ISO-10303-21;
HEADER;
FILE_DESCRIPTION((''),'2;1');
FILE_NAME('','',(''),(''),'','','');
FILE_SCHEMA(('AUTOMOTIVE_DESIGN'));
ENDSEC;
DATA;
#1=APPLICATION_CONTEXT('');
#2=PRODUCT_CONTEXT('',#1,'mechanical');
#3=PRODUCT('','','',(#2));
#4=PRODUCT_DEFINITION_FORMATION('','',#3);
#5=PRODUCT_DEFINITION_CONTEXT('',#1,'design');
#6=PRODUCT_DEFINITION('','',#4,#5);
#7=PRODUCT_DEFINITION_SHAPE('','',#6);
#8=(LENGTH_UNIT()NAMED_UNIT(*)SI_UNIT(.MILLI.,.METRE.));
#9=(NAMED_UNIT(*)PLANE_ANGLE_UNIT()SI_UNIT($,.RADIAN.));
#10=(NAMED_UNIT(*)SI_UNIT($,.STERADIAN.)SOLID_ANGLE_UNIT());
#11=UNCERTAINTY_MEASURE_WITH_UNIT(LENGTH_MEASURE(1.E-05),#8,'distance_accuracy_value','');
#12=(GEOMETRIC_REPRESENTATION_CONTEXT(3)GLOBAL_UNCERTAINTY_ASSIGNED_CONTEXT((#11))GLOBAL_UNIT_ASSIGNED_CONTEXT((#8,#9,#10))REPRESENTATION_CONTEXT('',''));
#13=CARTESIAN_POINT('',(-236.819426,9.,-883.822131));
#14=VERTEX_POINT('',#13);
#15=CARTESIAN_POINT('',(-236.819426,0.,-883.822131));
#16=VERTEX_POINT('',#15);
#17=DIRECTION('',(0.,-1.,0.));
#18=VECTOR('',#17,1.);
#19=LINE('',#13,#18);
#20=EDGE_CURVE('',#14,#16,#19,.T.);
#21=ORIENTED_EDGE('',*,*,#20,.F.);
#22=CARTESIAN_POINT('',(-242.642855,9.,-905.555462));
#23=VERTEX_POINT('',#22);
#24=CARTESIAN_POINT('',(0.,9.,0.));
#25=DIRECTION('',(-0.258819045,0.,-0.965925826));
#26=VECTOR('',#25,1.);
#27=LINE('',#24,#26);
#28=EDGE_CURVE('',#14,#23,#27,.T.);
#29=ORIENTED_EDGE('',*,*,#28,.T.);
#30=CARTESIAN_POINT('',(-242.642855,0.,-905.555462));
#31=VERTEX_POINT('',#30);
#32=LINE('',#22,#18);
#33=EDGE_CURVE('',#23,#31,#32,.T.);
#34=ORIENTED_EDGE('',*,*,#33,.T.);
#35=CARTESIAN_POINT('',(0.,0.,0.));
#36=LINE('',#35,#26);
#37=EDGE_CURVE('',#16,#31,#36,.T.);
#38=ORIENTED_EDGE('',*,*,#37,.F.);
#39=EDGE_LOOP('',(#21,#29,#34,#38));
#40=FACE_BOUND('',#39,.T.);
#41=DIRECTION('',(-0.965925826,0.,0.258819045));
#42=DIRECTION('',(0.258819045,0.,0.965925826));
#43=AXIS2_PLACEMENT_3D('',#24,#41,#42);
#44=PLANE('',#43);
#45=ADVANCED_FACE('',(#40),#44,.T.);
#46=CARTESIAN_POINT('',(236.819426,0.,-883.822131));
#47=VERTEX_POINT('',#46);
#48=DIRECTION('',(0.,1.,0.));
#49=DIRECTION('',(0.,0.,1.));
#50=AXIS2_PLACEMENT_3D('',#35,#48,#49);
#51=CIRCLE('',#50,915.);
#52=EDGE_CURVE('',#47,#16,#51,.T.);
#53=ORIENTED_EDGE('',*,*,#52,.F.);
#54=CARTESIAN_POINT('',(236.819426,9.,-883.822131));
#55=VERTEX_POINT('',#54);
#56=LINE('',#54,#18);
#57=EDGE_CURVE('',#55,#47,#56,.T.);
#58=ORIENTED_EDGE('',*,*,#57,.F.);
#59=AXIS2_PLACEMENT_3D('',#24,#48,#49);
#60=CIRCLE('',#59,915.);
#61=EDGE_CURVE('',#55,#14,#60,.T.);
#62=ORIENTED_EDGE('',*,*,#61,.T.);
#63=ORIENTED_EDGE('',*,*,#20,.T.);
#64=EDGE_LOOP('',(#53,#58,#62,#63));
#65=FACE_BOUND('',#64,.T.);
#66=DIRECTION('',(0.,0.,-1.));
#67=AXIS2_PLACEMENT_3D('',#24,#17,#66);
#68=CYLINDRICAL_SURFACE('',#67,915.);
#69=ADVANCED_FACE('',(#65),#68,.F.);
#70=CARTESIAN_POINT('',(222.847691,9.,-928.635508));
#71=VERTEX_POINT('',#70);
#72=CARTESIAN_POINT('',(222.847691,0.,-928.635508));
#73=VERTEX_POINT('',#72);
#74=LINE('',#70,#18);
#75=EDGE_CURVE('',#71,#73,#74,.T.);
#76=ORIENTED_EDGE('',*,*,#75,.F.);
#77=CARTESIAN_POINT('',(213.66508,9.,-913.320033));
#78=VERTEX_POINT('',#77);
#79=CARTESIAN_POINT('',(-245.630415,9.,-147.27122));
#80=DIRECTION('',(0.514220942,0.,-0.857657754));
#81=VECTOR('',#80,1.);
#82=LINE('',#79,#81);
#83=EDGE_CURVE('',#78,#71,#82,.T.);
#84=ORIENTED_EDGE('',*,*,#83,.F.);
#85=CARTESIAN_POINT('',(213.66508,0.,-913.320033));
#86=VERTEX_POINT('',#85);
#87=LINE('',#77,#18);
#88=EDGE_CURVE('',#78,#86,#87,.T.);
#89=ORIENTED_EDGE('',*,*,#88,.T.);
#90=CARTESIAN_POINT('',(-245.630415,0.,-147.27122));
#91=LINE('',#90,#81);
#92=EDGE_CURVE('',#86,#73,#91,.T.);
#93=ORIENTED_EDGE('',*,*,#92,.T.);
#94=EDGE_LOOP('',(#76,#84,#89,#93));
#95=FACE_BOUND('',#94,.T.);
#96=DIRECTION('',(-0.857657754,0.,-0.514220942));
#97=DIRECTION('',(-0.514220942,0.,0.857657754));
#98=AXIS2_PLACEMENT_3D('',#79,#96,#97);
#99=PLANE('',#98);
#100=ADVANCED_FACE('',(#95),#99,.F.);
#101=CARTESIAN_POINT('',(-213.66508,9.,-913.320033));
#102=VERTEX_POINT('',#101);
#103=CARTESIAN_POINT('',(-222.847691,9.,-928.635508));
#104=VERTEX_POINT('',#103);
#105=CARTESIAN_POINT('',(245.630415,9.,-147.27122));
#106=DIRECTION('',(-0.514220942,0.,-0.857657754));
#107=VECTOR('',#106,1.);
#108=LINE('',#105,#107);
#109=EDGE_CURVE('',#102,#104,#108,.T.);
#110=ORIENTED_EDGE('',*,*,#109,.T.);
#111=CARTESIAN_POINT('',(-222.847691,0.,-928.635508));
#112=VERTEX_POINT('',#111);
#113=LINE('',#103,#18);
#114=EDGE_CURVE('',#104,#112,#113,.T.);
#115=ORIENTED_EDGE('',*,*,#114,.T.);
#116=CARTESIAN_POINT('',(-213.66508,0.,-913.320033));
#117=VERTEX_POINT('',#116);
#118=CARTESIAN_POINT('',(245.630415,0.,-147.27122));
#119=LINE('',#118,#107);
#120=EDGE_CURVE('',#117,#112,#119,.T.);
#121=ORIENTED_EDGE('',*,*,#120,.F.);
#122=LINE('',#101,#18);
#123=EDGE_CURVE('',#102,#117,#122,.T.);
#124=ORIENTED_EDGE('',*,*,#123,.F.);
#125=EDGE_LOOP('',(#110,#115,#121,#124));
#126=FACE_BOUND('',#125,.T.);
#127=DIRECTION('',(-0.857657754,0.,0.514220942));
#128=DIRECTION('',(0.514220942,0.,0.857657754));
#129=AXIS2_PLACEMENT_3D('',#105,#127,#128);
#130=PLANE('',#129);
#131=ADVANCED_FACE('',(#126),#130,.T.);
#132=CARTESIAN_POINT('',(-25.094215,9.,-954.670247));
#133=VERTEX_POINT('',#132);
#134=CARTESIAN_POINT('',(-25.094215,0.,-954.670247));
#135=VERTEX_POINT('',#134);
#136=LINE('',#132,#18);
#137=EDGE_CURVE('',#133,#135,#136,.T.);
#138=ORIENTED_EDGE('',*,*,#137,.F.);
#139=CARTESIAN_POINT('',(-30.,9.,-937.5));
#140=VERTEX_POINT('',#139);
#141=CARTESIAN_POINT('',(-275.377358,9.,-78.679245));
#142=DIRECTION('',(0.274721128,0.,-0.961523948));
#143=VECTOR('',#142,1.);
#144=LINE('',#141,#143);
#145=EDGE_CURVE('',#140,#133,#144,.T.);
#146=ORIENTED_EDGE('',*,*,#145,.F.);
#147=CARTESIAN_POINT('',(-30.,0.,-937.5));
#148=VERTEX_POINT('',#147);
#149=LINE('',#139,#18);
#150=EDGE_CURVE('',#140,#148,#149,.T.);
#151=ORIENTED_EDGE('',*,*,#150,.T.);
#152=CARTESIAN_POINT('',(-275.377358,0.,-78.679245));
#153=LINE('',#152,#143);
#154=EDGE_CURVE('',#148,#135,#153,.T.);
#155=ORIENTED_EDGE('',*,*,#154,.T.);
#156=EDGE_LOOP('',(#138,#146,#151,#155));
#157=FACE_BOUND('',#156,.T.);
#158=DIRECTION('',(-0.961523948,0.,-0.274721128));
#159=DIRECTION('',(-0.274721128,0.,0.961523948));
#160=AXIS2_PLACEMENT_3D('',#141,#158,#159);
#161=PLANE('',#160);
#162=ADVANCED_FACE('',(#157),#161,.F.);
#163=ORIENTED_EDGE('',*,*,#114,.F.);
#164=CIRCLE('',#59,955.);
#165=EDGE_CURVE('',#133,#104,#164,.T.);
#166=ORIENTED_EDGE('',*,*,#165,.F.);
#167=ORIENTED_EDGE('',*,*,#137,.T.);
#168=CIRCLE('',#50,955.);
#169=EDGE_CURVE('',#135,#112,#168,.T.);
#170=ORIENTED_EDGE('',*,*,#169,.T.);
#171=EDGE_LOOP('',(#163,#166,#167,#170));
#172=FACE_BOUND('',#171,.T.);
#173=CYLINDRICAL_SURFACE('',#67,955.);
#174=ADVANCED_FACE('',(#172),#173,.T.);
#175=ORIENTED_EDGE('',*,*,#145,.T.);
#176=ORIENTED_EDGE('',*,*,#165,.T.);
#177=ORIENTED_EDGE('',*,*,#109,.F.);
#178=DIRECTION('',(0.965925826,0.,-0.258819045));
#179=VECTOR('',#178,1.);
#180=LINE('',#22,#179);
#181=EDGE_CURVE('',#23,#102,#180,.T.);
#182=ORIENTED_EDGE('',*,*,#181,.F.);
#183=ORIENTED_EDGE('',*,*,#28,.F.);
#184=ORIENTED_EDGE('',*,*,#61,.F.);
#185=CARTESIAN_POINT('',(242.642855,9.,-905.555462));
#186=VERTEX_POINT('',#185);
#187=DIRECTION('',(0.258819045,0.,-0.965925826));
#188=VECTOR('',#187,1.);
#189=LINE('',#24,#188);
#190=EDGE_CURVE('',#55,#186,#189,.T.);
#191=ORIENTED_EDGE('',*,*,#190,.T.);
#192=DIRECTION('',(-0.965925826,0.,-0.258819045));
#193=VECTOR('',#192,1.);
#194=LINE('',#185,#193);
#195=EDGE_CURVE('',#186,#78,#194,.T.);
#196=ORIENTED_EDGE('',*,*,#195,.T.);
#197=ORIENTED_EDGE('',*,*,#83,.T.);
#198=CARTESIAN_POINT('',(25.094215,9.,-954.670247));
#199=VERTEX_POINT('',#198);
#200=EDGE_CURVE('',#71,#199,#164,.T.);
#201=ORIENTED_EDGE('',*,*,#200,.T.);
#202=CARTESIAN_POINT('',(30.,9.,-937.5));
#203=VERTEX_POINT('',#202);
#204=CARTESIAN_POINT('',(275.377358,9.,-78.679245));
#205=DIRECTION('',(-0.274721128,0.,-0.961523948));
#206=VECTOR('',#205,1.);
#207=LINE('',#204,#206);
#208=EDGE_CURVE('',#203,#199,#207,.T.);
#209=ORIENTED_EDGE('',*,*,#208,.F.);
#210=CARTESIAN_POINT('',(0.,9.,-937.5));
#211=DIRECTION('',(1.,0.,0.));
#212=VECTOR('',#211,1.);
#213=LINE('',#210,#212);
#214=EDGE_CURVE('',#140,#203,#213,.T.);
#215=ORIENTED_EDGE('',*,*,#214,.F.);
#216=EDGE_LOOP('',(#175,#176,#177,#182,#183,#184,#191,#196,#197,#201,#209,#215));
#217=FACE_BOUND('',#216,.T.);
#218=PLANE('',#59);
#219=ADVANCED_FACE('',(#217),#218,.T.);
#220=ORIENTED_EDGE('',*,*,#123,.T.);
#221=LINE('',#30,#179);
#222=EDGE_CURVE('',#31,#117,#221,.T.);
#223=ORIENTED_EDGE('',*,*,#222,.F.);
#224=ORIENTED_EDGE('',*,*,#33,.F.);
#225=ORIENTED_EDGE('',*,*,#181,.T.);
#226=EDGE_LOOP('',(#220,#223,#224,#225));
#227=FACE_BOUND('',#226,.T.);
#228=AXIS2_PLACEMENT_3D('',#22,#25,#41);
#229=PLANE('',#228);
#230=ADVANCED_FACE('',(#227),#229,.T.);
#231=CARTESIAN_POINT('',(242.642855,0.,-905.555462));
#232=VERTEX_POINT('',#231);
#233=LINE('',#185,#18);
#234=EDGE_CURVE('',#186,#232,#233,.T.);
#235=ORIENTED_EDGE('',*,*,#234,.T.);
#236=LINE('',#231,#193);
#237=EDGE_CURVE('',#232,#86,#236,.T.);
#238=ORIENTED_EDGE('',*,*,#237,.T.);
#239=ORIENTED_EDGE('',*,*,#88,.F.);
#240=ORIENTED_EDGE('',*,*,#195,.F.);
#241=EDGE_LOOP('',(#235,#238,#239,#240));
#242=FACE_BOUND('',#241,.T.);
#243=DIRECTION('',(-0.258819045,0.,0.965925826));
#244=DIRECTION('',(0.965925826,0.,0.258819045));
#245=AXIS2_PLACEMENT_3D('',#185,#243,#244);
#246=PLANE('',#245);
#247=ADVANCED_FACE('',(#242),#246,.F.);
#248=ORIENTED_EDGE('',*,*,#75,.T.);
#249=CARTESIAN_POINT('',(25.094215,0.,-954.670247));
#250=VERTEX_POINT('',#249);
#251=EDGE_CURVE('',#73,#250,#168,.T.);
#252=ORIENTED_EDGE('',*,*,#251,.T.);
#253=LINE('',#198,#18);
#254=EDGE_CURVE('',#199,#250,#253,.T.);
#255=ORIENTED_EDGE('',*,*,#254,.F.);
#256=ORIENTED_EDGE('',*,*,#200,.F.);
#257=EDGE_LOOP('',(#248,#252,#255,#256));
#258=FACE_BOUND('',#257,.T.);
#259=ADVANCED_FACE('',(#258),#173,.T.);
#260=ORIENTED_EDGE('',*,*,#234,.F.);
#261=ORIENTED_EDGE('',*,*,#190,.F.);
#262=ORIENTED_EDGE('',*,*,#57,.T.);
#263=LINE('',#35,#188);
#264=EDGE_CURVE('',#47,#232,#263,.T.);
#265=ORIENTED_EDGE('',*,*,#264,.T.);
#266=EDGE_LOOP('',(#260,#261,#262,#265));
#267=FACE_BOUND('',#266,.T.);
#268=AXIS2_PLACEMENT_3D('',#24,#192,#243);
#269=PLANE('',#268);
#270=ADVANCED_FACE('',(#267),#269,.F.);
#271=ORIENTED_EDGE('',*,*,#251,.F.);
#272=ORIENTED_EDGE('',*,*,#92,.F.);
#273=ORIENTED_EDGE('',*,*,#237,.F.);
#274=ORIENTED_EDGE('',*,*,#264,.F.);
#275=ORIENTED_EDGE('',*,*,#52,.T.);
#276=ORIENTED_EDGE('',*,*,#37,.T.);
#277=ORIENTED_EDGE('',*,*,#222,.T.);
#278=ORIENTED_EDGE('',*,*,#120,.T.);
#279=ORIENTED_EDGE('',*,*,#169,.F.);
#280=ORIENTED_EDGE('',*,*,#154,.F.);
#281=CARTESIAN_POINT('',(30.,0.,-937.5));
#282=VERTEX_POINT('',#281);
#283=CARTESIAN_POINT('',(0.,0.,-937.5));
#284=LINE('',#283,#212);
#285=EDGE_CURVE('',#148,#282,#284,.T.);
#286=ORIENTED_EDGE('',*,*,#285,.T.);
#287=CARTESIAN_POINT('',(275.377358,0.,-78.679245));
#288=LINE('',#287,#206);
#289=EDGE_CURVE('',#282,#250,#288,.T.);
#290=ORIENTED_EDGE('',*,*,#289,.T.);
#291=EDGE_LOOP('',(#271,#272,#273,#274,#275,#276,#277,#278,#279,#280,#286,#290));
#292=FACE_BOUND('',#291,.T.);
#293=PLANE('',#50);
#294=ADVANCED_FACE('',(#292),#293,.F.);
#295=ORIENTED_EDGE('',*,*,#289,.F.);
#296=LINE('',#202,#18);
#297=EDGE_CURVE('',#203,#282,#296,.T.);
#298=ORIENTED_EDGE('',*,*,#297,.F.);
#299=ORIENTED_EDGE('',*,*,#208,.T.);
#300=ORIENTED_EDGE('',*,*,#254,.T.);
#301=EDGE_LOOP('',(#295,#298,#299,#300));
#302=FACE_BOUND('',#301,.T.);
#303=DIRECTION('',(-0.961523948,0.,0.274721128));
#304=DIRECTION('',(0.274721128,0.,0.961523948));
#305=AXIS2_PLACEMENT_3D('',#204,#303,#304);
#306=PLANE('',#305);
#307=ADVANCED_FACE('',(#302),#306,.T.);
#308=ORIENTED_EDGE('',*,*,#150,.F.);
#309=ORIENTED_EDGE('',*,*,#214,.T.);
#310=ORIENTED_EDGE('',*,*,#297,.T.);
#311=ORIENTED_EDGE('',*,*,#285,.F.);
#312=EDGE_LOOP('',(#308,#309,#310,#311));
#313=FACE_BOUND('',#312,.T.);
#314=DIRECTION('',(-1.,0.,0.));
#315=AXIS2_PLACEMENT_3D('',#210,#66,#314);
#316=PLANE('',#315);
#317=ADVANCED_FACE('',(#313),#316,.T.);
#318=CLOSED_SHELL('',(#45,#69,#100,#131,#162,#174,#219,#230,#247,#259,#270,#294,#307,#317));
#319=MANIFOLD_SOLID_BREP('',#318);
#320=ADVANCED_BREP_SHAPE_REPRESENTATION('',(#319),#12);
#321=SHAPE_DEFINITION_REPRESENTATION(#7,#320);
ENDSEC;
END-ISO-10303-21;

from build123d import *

# Parameters (mm, degrees)
BOSS_EXTRUDE1_DEPTH = 9


with BuildPart() as part:
    # Sketch1 → Boss-Extrude1 (new body)
    with BuildSketch(Plane(origin=(0, 0, 0), x_dir=(1, 0, 0), z_dir=(0, 1, 0))):
        with BuildLine():
            Line((-242.642854784, 905.555462146), (-236.819426269, 883.822131054))
            ThreePointArc((-236.819426269, 883.822131055), (0, 915), (236.819426269, 883.822131055))
            Line((236.819426269, 883.822131054), (242.642854784, 905.555462146))
            Line((242.642854784, 905.555462146), (213.665079995, 913.320033499))
            Line((213.665079995, 913.320033499), (222.84769118, 928.635507902))
            ThreePointArc((222.84769118, 928.635507902), (124.65251357, 946.829842612), (25.094215164, 954.670246926))
            Line((25.094215164, 954.670246926), (30, 937.5))
            Line((30, 937.5), (-30, 937.5))
            Line((-30, 937.5), (-25.094215164, 954.670246926))
            ThreePointArc((-25.094215164, 954.670246926), (-124.65251357, 946.829842612), (-222.84769118, 928.635507902))
            Line((-222.84769118, 928.635507902), (-213.665079995, 913.320033499))
            Line((-213.665079995, 913.320033499), (-242.642854784, 905.555462146))
        make_face()
    extrude(amount=BOSS_EXTRUDE1_DEPTH)


solid = part.part
